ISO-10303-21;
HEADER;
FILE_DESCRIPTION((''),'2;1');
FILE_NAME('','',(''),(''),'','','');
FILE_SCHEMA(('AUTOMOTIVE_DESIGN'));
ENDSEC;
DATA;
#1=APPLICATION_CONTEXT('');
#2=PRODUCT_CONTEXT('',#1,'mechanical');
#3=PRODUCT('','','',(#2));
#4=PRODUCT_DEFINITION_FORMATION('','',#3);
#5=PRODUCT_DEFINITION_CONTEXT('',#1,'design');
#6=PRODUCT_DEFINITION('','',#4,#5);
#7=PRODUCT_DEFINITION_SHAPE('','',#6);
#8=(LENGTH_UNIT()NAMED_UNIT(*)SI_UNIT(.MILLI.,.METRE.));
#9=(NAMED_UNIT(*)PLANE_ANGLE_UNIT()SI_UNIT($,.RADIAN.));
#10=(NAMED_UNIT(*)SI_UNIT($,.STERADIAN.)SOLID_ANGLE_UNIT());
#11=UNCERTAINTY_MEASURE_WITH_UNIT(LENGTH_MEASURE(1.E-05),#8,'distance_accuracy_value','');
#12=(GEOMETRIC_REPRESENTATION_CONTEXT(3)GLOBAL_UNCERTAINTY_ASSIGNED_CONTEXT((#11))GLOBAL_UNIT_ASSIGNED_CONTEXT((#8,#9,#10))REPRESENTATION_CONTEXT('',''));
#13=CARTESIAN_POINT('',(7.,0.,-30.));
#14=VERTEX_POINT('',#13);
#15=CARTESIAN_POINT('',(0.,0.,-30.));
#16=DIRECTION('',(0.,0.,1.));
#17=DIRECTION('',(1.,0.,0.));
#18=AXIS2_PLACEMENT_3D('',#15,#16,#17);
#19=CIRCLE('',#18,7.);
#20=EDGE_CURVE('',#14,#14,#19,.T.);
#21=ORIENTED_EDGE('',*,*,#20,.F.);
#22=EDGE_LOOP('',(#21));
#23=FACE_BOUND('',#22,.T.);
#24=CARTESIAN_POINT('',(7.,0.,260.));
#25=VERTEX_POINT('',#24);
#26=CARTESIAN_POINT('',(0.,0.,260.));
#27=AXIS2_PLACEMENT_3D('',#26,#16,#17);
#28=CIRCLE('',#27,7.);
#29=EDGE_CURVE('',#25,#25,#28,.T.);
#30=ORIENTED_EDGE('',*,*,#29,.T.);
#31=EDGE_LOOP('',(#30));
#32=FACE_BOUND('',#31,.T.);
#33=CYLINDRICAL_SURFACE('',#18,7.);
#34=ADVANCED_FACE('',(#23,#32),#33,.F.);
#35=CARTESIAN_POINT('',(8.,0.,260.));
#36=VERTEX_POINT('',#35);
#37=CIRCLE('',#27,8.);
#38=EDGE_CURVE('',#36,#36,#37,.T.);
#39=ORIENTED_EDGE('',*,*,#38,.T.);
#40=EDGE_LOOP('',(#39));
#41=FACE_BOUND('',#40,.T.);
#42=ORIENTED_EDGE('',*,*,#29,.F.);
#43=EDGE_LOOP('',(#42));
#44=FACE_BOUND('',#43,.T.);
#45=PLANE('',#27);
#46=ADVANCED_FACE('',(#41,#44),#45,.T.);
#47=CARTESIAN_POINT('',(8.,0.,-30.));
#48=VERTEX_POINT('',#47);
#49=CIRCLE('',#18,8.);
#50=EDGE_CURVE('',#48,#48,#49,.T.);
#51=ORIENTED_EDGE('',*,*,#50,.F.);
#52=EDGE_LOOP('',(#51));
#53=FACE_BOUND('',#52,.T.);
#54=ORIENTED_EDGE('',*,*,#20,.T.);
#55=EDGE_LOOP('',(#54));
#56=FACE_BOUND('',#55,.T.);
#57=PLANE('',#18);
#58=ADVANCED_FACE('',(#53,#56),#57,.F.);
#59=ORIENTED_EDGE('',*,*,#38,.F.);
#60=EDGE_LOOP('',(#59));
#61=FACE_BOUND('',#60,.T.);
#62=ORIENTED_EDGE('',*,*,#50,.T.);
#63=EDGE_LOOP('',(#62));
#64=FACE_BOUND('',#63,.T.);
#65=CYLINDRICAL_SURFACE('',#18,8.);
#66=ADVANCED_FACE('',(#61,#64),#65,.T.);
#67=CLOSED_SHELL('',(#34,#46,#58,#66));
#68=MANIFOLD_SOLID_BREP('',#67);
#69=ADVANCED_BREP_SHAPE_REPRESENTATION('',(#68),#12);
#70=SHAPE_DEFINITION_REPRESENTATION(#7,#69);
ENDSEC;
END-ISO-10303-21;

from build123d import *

# Parameters (mm, degrees)
BOSS_EXTRUDE1_DEPTH      = 260
BOSS_EXTRUDE1_DEPTH_BACK = 30
SKETCH1_R                = 8
SKETCH1_R_2              = 7


with BuildPart() as part:
    # Sketch1 → Boss-Extrude1 (new, two sides: drawn at the far end of the back side and taken through both)
    with BuildSketch(Plane.XY.offset(-BOSS_EXTRUDE1_DEPTH_BACK)):
        Circle(SKETCH1_R)
        Circle(SKETCH1_R_2, mode=Mode.SUBTRACT)
    extrude(amount=BOSS_EXTRUDE1_DEPTH + BOSS_EXTRUDE1_DEPTH_BACK)


solid = part.part
